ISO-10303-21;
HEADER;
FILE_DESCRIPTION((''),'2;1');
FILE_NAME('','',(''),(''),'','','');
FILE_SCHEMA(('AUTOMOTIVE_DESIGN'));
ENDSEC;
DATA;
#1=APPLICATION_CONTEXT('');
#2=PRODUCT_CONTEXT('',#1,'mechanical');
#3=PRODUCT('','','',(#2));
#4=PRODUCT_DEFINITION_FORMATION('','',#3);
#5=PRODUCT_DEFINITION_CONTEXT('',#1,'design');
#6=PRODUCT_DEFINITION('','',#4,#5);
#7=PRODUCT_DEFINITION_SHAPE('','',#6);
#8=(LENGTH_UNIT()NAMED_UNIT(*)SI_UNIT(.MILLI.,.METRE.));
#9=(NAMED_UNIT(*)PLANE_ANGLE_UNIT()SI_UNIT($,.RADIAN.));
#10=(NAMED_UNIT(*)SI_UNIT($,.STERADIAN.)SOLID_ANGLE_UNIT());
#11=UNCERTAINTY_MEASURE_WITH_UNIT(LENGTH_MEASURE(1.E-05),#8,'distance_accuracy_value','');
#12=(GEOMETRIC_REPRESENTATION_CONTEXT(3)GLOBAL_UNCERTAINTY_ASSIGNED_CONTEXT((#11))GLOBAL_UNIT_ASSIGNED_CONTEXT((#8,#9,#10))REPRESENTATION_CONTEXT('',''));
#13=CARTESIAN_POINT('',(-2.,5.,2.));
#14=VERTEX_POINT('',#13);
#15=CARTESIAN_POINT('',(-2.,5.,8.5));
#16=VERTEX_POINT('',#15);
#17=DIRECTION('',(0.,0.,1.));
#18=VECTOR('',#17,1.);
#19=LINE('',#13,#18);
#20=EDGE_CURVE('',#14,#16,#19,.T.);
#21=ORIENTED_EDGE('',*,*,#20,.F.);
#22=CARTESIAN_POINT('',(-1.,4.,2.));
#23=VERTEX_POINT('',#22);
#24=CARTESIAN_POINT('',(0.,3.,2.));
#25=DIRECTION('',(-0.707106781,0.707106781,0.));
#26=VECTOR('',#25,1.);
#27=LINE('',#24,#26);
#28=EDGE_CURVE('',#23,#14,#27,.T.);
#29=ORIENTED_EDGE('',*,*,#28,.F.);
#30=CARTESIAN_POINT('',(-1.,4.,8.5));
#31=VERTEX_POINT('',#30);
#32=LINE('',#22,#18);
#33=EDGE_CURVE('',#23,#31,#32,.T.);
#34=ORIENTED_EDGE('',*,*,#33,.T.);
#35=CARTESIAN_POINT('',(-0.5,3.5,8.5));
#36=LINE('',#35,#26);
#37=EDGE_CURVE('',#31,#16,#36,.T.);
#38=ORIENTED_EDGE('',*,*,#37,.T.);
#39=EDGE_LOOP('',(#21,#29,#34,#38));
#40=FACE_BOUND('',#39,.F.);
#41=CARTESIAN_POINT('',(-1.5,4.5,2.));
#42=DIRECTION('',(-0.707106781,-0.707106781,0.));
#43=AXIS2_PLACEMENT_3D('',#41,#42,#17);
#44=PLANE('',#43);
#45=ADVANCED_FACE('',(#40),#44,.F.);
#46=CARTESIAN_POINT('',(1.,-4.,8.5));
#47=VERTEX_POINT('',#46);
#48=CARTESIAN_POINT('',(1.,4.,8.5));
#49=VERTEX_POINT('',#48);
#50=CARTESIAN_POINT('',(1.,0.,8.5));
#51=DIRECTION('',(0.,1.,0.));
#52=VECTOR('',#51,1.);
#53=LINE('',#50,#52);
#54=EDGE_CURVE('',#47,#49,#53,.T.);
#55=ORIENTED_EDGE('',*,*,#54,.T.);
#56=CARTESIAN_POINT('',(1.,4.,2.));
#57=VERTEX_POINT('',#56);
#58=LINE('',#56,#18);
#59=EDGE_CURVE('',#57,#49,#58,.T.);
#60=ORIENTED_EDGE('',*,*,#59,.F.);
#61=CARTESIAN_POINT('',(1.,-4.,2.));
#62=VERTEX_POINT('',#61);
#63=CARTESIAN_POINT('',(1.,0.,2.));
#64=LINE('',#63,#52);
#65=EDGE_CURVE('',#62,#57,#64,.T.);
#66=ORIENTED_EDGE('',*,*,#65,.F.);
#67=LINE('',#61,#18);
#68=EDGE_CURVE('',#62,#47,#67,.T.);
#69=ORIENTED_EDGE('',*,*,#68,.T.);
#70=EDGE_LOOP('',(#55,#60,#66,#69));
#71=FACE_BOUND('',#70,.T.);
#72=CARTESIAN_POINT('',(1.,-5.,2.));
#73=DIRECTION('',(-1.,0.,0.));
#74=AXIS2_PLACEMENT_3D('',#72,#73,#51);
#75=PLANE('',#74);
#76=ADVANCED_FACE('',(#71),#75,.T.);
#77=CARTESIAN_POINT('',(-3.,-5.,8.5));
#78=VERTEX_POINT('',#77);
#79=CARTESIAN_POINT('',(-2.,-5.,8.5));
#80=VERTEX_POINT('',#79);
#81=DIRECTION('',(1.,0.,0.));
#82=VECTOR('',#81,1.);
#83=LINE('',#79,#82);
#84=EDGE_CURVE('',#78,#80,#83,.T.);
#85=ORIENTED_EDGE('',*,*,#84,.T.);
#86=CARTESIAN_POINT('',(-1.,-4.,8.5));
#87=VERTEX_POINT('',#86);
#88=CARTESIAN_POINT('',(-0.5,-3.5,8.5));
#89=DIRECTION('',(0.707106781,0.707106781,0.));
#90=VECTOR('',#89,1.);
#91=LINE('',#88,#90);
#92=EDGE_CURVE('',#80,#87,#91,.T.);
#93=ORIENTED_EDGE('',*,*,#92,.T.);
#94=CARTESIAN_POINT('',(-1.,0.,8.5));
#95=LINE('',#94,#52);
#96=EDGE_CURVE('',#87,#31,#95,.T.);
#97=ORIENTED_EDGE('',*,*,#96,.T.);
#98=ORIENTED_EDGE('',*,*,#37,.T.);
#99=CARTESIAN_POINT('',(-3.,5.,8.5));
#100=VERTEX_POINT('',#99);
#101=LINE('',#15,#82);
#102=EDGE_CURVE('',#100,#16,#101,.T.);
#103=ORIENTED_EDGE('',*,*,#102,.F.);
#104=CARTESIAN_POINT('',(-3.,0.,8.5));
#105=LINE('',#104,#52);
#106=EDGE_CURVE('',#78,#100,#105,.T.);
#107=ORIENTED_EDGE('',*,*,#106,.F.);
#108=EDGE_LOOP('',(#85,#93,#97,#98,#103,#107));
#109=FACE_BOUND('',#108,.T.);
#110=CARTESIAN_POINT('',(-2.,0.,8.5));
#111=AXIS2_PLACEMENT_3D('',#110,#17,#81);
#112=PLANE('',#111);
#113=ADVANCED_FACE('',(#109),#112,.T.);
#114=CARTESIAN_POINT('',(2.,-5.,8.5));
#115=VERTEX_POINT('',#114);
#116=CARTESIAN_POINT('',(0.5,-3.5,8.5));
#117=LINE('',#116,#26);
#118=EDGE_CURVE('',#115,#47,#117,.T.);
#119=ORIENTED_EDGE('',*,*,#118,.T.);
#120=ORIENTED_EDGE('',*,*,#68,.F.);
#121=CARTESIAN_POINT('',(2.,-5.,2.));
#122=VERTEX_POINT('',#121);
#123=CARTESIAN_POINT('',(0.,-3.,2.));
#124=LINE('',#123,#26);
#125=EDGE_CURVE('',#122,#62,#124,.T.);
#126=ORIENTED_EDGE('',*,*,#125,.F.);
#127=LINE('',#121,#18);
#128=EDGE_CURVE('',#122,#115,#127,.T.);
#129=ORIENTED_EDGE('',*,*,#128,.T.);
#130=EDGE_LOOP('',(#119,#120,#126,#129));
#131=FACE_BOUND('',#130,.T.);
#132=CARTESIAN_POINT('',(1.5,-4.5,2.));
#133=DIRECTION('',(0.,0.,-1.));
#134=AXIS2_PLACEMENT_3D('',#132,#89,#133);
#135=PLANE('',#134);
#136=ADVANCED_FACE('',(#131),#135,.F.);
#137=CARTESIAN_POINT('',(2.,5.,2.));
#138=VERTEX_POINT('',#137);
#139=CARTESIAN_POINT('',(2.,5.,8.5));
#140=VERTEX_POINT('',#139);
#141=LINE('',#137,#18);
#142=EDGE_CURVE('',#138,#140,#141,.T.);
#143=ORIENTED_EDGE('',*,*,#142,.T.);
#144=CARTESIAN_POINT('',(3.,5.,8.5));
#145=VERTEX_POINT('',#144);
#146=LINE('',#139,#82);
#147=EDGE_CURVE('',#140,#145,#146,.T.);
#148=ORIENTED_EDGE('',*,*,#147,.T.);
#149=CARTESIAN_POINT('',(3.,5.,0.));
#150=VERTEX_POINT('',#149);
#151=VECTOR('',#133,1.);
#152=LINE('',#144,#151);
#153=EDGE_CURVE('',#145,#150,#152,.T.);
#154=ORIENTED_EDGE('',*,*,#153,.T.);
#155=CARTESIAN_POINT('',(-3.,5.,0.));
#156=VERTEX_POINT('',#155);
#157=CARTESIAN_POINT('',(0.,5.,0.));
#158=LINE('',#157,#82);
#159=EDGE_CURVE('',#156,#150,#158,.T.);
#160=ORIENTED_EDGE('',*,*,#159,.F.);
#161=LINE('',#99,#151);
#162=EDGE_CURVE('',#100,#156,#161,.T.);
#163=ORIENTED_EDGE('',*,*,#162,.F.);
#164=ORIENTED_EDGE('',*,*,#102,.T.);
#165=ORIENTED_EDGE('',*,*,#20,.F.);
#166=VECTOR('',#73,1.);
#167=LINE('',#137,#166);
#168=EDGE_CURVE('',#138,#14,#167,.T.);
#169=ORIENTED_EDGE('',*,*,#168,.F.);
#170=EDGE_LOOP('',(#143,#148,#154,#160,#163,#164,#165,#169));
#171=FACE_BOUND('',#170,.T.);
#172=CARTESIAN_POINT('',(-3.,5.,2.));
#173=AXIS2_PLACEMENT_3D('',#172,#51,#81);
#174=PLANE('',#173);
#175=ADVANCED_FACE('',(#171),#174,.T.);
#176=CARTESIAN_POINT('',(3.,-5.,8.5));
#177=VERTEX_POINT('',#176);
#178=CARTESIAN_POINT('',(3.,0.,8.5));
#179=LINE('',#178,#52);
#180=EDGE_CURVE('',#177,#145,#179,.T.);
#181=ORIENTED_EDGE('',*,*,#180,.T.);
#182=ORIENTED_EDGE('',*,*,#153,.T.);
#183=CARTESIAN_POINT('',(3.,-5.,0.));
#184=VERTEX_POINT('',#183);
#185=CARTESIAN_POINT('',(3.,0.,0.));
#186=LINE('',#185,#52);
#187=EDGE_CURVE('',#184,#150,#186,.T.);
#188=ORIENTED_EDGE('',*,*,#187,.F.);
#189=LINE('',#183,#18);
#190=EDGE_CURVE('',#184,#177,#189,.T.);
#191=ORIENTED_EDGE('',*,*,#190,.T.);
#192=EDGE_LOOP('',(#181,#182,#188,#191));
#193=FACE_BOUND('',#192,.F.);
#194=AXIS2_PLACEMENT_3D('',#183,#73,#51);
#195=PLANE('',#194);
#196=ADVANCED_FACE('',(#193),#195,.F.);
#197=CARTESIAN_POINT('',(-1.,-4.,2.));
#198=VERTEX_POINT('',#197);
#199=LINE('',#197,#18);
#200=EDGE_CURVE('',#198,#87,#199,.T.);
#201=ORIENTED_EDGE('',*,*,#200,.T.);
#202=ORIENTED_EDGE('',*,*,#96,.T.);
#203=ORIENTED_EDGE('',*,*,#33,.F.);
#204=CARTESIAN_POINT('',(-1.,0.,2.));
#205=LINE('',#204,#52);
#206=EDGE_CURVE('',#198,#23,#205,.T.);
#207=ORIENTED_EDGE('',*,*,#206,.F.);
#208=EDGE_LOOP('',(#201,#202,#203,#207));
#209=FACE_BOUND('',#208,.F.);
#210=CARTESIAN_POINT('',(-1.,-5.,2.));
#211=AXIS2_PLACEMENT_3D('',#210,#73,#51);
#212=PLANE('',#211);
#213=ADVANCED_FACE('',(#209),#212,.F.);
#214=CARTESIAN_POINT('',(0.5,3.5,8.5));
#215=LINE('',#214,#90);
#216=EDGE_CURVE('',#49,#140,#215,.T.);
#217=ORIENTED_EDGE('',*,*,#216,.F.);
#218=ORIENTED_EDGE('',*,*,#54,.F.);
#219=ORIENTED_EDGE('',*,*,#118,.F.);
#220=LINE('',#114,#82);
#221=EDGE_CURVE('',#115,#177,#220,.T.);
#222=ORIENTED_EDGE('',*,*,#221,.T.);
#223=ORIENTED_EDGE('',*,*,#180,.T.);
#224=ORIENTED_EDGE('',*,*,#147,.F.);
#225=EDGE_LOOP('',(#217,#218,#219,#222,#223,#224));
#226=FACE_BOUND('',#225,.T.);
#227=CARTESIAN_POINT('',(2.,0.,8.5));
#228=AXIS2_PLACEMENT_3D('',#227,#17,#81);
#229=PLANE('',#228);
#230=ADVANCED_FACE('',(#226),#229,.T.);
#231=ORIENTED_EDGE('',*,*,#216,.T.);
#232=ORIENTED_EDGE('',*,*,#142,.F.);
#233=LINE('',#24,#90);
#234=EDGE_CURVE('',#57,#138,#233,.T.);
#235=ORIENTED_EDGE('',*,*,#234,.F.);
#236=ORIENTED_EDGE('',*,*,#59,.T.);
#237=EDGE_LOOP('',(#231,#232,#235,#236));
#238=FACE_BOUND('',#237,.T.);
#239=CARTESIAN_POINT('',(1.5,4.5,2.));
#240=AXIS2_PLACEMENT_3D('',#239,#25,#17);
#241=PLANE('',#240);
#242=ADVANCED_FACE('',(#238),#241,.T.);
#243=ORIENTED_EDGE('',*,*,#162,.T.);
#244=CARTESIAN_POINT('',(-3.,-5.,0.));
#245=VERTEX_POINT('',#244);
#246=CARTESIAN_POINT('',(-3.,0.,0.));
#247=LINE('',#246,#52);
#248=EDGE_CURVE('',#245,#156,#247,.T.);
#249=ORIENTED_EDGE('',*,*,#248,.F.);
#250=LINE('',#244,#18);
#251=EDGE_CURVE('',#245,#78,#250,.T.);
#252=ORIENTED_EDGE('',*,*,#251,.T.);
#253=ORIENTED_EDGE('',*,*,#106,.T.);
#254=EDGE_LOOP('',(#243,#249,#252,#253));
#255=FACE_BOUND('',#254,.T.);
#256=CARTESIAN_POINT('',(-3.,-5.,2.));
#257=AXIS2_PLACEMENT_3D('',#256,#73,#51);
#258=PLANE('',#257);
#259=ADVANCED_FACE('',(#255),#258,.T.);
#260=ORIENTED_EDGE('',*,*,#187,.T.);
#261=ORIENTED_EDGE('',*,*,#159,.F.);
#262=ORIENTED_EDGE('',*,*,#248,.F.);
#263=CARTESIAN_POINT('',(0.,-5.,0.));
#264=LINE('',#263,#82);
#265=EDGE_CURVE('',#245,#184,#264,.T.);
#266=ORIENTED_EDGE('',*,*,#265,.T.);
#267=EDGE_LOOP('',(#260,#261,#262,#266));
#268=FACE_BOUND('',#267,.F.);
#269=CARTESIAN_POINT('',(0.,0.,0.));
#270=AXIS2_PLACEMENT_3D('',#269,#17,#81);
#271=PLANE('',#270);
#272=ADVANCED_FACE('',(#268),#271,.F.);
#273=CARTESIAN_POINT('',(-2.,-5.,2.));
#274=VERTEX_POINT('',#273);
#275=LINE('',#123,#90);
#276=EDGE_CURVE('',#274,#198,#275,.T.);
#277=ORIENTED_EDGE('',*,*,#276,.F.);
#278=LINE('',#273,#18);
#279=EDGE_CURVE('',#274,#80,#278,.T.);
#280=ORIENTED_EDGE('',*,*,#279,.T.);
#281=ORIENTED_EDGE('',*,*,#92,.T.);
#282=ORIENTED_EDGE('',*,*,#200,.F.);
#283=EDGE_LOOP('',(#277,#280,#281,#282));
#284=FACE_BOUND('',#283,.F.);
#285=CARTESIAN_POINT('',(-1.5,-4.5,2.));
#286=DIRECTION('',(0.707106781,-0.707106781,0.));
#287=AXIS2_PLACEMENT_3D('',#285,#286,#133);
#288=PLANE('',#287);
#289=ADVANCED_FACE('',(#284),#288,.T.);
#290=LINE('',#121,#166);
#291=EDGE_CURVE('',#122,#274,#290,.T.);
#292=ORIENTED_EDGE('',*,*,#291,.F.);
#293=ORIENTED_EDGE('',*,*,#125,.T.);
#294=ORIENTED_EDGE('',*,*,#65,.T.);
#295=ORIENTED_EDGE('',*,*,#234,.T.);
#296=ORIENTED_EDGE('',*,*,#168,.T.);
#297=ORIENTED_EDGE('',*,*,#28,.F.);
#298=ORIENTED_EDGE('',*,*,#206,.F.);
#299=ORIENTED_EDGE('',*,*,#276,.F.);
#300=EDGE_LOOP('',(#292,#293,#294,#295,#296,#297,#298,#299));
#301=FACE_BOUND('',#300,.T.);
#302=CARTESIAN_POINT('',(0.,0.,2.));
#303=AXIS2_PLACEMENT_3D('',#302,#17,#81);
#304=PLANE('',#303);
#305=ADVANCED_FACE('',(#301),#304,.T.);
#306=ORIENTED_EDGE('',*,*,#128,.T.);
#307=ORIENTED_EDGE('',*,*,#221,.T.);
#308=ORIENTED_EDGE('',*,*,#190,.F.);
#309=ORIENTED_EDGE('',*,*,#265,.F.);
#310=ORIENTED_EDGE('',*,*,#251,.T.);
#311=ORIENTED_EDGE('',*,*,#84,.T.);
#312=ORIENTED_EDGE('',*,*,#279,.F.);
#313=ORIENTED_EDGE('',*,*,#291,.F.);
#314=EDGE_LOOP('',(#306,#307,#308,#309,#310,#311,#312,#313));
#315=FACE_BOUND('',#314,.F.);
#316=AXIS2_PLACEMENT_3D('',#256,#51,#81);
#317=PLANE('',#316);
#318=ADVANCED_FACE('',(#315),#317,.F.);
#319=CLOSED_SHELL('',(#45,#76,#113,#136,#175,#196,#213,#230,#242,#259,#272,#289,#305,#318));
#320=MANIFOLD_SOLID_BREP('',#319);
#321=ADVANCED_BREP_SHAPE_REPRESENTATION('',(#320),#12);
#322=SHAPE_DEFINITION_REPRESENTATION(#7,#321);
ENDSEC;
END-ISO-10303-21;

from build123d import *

# Parameters (mm, degrees)
SKETCH_W     = 6
SKETCH_H     = 10
PAD_DEPTH    = 2
SKETCH001_W  = 2
SKETCH001_H  = 10
PAD001_DEPTH = 6.5
CHAMFER_SIZE = 1


with BuildPart() as part:
    # Sketch → Pad (new body)
    with BuildSketch(Plane.XY):
        Rectangle(SKETCH_W, SKETCH_H)
    extrude(amount=PAD_DEPTH)

    # Sketch001 (on Face6 of Pad) → Pad001 (join)
    with BuildSketch(Plane.XY.offset(2)):
        with Locations((-2, 0)):
            Rectangle(SKETCH001_W, SKETCH001_H)
        with Locations((2, 0)):
            Rectangle(SKETCH001_W, SKETCH001_H)
    extrude(amount=PAD001_DEPTH)

    # Chamfer
    chamfer_edges = [part.edges().sort_by_distance(p)[0] for p in [
        (-1, -5, 5.25),
        (1, -5, 5.25),
        (-1, 5, 5.25),
        (1, 5, 5.25),
    ]]
    chamfer(chamfer_edges, length=CHAMFER_SIZE)


solid = part.part
